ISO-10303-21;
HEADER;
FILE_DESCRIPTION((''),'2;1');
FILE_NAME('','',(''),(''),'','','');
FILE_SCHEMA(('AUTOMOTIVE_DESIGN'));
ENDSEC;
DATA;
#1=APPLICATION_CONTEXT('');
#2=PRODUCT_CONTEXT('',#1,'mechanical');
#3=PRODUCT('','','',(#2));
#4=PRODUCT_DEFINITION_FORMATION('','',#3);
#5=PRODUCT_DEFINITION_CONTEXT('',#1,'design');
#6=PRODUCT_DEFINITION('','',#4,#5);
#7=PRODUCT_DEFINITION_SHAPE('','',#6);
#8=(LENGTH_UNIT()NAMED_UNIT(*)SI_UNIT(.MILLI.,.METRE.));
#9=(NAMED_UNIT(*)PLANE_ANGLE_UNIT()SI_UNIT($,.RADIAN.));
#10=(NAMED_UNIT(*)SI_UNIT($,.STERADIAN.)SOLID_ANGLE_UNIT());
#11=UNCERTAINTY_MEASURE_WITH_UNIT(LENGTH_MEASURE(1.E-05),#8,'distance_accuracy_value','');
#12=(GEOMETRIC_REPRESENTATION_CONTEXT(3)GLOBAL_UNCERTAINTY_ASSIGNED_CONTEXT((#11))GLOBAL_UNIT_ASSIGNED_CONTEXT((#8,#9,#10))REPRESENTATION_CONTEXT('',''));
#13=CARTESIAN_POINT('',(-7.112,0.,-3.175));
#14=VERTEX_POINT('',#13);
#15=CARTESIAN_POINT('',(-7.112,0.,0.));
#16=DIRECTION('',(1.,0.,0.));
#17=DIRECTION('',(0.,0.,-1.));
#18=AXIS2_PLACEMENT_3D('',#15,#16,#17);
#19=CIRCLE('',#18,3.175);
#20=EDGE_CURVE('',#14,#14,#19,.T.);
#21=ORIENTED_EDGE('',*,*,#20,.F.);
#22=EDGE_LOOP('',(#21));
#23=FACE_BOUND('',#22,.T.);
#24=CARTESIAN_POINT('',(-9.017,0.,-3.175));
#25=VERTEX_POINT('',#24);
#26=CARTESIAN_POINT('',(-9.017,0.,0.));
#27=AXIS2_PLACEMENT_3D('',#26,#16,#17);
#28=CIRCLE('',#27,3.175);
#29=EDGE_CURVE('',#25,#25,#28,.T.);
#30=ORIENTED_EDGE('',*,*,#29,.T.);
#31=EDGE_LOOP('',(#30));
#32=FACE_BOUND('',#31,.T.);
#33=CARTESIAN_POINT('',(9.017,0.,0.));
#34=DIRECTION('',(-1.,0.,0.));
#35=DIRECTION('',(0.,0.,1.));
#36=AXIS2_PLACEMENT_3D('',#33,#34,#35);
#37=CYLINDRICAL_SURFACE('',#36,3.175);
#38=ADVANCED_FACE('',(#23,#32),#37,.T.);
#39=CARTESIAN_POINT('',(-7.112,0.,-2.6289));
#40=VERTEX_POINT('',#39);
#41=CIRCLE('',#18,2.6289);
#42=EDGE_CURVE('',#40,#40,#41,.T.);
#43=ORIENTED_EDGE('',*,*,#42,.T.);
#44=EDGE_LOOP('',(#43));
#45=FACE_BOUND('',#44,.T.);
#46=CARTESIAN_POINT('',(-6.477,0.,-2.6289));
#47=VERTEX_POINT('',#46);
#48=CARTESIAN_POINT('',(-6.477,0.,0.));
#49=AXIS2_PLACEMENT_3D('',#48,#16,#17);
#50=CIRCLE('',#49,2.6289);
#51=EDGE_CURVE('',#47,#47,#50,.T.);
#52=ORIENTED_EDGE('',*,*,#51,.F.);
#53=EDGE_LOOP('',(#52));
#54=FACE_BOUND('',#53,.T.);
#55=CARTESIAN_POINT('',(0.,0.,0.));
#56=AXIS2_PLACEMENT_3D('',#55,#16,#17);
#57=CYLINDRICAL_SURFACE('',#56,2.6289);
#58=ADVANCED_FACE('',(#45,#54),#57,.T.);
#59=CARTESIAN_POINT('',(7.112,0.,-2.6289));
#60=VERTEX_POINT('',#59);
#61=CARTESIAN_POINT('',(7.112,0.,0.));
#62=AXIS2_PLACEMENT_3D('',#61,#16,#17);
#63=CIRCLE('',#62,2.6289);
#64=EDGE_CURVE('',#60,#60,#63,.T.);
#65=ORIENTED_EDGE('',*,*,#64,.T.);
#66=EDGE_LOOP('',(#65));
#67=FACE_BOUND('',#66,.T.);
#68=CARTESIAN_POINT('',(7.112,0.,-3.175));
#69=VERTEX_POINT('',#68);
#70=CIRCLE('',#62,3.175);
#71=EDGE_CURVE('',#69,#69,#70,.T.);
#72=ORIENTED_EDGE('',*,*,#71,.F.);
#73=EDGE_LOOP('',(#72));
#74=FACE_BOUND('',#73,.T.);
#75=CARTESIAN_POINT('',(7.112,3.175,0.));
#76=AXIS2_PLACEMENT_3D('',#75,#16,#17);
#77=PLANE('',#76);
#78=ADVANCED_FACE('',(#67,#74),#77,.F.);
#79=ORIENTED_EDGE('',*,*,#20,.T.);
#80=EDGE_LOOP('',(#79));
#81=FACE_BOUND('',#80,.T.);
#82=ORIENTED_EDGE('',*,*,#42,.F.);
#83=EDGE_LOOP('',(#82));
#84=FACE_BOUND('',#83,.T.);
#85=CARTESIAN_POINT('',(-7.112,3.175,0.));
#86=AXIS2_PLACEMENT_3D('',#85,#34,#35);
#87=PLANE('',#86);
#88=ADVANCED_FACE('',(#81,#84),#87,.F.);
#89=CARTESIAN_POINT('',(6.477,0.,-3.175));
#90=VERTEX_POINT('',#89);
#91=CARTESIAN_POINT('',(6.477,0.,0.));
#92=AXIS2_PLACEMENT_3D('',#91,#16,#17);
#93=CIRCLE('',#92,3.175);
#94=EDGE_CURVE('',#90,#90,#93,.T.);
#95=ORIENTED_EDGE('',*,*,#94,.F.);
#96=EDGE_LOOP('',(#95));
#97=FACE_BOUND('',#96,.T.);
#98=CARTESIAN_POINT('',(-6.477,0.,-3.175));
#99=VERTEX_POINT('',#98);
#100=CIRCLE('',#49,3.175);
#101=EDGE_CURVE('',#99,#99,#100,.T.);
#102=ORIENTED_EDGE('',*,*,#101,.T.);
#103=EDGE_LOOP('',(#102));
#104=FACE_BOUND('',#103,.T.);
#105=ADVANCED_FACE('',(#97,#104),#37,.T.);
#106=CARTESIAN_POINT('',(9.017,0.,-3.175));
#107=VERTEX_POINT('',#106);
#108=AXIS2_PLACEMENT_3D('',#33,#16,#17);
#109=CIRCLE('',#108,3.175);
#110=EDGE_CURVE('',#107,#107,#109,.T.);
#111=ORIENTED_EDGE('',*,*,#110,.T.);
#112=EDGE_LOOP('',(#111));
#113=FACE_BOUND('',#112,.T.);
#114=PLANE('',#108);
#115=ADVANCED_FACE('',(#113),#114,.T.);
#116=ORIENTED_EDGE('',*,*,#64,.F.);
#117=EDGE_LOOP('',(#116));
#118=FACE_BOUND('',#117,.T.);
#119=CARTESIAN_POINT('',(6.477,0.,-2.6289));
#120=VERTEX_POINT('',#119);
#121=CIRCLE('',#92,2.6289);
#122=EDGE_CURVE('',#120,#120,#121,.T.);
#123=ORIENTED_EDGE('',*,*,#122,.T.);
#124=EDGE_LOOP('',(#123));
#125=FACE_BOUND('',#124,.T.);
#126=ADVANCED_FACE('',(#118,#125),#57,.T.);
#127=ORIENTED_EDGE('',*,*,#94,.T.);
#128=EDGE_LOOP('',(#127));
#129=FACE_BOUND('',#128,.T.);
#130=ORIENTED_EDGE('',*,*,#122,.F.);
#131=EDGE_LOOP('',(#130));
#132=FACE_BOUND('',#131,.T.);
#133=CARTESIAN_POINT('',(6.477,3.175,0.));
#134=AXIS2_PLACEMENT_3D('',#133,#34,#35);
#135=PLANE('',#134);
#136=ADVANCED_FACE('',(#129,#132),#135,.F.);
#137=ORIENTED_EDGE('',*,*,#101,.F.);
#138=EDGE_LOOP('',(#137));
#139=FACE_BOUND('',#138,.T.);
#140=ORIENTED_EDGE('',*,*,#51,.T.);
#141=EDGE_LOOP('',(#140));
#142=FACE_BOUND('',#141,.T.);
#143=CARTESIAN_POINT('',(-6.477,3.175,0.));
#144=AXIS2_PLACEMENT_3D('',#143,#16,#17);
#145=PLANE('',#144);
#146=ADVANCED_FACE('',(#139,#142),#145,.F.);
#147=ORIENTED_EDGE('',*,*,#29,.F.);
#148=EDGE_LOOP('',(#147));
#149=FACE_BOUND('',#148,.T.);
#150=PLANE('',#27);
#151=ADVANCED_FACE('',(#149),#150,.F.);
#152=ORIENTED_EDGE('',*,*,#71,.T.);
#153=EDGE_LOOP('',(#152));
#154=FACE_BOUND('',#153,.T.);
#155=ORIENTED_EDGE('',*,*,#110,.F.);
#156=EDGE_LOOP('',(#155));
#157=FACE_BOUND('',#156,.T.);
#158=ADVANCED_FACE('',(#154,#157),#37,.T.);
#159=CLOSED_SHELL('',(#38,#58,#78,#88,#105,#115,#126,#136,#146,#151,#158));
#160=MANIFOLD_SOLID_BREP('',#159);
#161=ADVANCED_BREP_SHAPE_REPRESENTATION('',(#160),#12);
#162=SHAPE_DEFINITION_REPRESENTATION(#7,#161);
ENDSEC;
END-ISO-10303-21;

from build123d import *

# Parameters (mm, degrees)
SKETCH1_R      = 3.175
EXTRUDE1_DEPTH = 9.017
SKETCH2_W      = 0.635
SKETCH2_H      = 0.5461


with BuildPart() as part:
    # Sketch1 → Extrude1 (new body, symmetric)
    with BuildSketch(Plane(origin=(0, 0, 0), x_dir=(0, 0, -1), z_dir=(1, 0, 0))):
        Circle(SKETCH1_R)
    extrude(amount=EXTRUDE1_DEPTH, both=True)

    # Sketch2 → Cut-Revolve1 (revolve, cut)
    with BuildSketch(Plane.XY):
        with Locations((-6.7945, 2.90195)):
            Rectangle(SKETCH2_W, SKETCH2_H)
        with Locations((6.7945, 2.90195)):
            Rectangle(SKETCH2_W, SKETCH2_H)
    revolve(axis=Axis((0, 0, 0), (-1, 0, 0)), mode=Mode.SUBTRACT)


solid = part.part
